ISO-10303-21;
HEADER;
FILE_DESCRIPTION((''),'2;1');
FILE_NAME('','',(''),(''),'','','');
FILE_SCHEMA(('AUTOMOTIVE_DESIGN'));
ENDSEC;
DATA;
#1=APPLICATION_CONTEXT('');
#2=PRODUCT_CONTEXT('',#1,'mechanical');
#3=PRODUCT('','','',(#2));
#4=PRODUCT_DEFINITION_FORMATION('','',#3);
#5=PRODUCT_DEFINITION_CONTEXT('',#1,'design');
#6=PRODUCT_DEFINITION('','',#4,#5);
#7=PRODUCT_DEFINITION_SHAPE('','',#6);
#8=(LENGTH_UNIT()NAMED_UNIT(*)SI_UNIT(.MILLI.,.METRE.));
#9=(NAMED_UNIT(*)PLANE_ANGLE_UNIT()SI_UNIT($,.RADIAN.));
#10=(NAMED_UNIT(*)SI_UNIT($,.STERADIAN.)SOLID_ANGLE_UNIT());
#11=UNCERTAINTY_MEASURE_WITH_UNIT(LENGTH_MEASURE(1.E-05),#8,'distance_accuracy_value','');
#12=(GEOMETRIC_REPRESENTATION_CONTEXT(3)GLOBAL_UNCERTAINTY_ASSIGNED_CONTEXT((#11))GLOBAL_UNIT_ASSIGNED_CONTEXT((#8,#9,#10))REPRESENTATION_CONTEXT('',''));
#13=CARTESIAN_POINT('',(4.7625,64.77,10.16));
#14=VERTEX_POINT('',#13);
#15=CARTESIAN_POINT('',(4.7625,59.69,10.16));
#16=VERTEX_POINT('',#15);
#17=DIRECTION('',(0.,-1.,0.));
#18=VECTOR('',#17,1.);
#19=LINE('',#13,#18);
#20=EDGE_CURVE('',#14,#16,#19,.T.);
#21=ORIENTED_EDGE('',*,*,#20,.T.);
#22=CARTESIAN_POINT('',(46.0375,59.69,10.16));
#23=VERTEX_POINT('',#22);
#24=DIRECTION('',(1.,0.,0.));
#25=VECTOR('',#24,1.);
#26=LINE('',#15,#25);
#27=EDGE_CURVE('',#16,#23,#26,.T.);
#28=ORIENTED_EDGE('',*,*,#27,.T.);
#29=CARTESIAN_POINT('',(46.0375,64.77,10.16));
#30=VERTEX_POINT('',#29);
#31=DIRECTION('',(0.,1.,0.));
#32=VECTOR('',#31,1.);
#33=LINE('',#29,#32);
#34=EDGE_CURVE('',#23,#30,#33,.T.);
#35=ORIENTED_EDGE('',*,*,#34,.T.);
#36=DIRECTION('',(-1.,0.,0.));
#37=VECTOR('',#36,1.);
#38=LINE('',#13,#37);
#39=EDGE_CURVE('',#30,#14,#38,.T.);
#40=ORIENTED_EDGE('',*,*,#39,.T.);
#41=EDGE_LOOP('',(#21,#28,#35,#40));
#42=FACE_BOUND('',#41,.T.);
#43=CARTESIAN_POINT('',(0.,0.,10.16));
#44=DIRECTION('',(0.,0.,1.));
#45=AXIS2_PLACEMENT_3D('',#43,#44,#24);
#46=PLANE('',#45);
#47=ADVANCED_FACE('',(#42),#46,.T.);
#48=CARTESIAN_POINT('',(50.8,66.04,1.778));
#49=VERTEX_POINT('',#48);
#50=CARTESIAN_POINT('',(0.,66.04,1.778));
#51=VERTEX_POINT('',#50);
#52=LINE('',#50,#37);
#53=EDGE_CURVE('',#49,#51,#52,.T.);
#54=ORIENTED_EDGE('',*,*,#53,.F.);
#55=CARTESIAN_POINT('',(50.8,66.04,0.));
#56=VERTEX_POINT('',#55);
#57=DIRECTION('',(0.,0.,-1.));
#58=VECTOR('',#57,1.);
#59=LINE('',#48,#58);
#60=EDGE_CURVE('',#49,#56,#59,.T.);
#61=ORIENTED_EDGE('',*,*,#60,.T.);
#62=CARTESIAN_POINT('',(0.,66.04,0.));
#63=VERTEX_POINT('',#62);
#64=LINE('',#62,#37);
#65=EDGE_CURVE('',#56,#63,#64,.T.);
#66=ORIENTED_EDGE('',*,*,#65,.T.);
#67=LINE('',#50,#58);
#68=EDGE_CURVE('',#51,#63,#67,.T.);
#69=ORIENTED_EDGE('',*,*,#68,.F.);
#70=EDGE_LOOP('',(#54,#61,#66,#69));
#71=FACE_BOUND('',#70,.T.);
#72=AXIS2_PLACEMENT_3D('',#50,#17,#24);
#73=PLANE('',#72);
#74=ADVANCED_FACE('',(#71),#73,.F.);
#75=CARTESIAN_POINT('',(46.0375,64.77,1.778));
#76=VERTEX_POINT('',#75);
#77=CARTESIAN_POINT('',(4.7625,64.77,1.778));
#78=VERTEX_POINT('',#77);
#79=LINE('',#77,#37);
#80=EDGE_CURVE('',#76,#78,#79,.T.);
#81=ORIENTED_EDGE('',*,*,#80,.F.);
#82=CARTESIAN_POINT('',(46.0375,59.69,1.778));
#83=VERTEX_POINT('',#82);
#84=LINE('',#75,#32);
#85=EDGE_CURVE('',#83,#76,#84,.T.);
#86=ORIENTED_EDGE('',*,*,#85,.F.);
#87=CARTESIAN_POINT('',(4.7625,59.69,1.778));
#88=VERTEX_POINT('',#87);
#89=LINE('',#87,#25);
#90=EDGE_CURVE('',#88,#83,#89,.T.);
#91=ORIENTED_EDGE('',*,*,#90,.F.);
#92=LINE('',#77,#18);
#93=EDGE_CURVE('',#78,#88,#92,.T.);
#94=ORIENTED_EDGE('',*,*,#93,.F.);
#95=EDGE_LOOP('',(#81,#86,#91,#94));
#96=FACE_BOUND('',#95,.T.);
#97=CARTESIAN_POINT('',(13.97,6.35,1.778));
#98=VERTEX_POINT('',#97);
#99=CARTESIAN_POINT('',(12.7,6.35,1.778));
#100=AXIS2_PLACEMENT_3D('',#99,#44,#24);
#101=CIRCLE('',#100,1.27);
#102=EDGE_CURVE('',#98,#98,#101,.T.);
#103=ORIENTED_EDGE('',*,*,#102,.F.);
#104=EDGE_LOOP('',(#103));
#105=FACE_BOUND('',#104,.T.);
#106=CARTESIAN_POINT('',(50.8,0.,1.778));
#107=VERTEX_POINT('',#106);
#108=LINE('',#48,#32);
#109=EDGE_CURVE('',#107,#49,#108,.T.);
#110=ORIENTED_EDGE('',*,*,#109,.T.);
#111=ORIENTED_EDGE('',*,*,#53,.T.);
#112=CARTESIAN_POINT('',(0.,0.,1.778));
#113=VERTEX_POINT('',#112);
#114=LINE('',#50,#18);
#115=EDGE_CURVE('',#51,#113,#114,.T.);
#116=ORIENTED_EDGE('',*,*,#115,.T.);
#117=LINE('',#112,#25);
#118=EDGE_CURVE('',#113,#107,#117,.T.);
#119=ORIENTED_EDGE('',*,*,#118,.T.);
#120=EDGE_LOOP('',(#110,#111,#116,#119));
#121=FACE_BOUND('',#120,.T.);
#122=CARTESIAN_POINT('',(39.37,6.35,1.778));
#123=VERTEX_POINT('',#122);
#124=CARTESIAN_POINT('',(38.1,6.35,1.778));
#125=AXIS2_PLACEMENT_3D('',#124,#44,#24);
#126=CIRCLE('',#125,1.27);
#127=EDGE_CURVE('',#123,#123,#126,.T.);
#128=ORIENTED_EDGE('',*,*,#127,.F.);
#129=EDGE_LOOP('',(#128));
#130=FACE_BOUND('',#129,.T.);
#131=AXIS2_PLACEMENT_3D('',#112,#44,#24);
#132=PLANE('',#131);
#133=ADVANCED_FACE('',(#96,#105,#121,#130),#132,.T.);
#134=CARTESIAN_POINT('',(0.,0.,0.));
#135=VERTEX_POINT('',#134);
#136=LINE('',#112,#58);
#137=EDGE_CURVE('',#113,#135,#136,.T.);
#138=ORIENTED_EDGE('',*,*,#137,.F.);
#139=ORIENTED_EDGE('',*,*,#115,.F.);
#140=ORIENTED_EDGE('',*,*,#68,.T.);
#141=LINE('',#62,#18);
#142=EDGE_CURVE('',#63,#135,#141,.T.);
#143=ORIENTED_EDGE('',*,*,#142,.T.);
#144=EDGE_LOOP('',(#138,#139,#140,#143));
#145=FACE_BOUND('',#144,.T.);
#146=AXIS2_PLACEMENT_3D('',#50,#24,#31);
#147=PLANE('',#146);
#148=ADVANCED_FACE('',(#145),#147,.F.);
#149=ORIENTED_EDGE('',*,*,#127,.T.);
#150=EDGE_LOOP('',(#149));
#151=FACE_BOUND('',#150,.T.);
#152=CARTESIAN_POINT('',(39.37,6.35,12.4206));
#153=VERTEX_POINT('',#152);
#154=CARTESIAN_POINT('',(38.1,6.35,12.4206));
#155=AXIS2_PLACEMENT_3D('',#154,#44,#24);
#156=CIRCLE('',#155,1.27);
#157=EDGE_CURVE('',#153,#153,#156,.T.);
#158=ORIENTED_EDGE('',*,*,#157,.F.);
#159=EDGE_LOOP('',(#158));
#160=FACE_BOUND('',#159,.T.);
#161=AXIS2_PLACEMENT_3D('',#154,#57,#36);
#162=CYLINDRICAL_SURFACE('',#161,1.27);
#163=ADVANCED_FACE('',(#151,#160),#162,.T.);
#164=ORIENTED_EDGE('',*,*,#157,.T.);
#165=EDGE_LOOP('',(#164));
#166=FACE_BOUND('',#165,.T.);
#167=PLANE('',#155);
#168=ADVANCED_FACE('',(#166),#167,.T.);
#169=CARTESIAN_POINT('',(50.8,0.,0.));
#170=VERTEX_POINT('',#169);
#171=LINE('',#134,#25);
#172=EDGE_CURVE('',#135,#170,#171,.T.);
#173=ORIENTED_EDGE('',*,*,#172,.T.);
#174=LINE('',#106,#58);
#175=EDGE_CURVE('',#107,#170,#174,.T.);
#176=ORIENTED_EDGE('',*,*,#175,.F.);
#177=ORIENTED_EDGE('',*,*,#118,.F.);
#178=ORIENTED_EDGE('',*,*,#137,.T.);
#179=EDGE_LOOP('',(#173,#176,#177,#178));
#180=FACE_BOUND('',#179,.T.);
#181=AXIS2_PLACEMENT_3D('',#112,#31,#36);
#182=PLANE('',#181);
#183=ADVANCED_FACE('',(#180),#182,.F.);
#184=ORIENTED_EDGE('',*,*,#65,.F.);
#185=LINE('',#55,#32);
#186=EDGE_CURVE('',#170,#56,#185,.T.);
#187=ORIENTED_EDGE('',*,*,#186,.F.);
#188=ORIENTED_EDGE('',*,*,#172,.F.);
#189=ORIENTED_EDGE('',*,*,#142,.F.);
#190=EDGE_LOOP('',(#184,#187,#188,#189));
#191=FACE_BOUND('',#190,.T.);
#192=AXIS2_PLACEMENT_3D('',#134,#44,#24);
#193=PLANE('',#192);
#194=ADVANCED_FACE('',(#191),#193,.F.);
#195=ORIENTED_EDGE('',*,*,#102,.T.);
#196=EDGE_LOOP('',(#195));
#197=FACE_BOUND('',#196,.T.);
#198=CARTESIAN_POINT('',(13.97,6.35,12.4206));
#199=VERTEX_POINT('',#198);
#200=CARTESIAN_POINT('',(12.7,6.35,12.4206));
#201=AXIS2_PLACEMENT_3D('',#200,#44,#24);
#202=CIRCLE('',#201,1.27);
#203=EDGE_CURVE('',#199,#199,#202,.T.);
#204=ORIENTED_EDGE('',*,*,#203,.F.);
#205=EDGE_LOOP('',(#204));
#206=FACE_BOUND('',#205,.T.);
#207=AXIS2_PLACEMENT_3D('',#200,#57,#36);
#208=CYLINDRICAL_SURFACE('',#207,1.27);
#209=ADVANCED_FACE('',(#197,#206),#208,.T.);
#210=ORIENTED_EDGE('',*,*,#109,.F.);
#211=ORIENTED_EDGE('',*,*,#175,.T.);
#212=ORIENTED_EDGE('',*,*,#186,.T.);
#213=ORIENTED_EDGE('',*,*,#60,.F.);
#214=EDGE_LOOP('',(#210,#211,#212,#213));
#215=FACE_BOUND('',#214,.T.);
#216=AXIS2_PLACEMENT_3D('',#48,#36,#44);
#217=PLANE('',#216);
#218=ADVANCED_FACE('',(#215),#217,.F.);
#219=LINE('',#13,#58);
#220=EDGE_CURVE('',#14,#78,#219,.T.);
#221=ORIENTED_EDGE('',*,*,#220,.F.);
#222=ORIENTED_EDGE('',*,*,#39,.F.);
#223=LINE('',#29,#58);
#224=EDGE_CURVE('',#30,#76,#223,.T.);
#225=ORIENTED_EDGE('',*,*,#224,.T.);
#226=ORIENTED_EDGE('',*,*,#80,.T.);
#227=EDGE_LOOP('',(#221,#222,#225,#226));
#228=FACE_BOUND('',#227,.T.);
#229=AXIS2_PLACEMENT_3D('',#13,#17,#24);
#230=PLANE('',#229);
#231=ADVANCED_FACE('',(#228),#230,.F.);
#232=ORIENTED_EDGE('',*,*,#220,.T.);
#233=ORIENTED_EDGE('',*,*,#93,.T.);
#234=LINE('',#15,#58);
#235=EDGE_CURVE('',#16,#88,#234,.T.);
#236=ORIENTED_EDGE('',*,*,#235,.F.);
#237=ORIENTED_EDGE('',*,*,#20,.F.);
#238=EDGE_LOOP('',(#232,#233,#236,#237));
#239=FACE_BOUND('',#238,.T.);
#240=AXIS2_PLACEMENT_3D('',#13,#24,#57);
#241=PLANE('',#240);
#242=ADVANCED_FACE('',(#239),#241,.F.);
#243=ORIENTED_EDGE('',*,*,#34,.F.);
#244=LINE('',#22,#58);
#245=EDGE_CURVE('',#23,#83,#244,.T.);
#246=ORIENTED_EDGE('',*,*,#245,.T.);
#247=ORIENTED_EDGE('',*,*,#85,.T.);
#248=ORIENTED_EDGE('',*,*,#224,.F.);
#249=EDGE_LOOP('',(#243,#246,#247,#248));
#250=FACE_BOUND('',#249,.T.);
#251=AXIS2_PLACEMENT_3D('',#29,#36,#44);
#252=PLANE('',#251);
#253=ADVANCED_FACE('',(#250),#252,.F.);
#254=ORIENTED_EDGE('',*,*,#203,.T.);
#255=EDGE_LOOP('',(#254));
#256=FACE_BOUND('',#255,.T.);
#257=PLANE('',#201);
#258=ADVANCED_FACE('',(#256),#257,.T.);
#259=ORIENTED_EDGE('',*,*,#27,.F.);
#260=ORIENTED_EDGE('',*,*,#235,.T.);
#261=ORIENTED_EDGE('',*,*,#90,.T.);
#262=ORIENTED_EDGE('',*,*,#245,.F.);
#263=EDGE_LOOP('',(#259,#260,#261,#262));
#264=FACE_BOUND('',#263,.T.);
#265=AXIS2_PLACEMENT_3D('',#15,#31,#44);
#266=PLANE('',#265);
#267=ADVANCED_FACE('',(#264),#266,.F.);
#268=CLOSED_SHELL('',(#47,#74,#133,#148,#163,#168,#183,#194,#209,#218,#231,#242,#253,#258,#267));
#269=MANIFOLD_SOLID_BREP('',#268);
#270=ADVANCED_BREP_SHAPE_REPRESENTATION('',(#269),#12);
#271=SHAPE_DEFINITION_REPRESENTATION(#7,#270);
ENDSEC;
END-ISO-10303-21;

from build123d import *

# Parameters (mm, degrees)
SKETCH1_W           = 50.8
SKETCH1_H           = 66.04
BOSS_EXTRUDE1_DEPTH = 1.778
SKETCH2_W           = 41.275
SKETCH2_H           = 5.08
BOSS_EXTRUDE2_DEPTH = 8.382
SKETCH3_R           = 1.27
BOSS_EXTRUDE3_DEPTH = 10.6426


with BuildPart() as part:
    # Sketch1 → Boss-Extrude1 (new body)
    with BuildSketch(Plane.XY):
        with Locations((25.4, 33.02)):
            Rectangle(SKETCH1_W, SKETCH1_H)
    extrude(amount=BOSS_EXTRUDE1_DEPTH)

    # Sketch2 → Boss-Extrude2 (add)
    with BuildSketch(Plane.XY.offset(1.778)):
        with Locations((25.4, 62.23)):
            Rectangle(SKETCH2_W, SKETCH2_H)
    extrude(amount=BOSS_EXTRUDE2_DEPTH)

    # Sketch3 → Boss-Extrude3 (add)
    with BuildSketch(Plane.XY.offset(1.778)):
        with Locations((12.7, 6.35)):
            Circle(SKETCH3_R)
        with Locations((38.1, 6.35)):
            Circle(SKETCH3_R)
    extrude(amount=BOSS_EXTRUDE3_DEPTH)


solid = part.part
